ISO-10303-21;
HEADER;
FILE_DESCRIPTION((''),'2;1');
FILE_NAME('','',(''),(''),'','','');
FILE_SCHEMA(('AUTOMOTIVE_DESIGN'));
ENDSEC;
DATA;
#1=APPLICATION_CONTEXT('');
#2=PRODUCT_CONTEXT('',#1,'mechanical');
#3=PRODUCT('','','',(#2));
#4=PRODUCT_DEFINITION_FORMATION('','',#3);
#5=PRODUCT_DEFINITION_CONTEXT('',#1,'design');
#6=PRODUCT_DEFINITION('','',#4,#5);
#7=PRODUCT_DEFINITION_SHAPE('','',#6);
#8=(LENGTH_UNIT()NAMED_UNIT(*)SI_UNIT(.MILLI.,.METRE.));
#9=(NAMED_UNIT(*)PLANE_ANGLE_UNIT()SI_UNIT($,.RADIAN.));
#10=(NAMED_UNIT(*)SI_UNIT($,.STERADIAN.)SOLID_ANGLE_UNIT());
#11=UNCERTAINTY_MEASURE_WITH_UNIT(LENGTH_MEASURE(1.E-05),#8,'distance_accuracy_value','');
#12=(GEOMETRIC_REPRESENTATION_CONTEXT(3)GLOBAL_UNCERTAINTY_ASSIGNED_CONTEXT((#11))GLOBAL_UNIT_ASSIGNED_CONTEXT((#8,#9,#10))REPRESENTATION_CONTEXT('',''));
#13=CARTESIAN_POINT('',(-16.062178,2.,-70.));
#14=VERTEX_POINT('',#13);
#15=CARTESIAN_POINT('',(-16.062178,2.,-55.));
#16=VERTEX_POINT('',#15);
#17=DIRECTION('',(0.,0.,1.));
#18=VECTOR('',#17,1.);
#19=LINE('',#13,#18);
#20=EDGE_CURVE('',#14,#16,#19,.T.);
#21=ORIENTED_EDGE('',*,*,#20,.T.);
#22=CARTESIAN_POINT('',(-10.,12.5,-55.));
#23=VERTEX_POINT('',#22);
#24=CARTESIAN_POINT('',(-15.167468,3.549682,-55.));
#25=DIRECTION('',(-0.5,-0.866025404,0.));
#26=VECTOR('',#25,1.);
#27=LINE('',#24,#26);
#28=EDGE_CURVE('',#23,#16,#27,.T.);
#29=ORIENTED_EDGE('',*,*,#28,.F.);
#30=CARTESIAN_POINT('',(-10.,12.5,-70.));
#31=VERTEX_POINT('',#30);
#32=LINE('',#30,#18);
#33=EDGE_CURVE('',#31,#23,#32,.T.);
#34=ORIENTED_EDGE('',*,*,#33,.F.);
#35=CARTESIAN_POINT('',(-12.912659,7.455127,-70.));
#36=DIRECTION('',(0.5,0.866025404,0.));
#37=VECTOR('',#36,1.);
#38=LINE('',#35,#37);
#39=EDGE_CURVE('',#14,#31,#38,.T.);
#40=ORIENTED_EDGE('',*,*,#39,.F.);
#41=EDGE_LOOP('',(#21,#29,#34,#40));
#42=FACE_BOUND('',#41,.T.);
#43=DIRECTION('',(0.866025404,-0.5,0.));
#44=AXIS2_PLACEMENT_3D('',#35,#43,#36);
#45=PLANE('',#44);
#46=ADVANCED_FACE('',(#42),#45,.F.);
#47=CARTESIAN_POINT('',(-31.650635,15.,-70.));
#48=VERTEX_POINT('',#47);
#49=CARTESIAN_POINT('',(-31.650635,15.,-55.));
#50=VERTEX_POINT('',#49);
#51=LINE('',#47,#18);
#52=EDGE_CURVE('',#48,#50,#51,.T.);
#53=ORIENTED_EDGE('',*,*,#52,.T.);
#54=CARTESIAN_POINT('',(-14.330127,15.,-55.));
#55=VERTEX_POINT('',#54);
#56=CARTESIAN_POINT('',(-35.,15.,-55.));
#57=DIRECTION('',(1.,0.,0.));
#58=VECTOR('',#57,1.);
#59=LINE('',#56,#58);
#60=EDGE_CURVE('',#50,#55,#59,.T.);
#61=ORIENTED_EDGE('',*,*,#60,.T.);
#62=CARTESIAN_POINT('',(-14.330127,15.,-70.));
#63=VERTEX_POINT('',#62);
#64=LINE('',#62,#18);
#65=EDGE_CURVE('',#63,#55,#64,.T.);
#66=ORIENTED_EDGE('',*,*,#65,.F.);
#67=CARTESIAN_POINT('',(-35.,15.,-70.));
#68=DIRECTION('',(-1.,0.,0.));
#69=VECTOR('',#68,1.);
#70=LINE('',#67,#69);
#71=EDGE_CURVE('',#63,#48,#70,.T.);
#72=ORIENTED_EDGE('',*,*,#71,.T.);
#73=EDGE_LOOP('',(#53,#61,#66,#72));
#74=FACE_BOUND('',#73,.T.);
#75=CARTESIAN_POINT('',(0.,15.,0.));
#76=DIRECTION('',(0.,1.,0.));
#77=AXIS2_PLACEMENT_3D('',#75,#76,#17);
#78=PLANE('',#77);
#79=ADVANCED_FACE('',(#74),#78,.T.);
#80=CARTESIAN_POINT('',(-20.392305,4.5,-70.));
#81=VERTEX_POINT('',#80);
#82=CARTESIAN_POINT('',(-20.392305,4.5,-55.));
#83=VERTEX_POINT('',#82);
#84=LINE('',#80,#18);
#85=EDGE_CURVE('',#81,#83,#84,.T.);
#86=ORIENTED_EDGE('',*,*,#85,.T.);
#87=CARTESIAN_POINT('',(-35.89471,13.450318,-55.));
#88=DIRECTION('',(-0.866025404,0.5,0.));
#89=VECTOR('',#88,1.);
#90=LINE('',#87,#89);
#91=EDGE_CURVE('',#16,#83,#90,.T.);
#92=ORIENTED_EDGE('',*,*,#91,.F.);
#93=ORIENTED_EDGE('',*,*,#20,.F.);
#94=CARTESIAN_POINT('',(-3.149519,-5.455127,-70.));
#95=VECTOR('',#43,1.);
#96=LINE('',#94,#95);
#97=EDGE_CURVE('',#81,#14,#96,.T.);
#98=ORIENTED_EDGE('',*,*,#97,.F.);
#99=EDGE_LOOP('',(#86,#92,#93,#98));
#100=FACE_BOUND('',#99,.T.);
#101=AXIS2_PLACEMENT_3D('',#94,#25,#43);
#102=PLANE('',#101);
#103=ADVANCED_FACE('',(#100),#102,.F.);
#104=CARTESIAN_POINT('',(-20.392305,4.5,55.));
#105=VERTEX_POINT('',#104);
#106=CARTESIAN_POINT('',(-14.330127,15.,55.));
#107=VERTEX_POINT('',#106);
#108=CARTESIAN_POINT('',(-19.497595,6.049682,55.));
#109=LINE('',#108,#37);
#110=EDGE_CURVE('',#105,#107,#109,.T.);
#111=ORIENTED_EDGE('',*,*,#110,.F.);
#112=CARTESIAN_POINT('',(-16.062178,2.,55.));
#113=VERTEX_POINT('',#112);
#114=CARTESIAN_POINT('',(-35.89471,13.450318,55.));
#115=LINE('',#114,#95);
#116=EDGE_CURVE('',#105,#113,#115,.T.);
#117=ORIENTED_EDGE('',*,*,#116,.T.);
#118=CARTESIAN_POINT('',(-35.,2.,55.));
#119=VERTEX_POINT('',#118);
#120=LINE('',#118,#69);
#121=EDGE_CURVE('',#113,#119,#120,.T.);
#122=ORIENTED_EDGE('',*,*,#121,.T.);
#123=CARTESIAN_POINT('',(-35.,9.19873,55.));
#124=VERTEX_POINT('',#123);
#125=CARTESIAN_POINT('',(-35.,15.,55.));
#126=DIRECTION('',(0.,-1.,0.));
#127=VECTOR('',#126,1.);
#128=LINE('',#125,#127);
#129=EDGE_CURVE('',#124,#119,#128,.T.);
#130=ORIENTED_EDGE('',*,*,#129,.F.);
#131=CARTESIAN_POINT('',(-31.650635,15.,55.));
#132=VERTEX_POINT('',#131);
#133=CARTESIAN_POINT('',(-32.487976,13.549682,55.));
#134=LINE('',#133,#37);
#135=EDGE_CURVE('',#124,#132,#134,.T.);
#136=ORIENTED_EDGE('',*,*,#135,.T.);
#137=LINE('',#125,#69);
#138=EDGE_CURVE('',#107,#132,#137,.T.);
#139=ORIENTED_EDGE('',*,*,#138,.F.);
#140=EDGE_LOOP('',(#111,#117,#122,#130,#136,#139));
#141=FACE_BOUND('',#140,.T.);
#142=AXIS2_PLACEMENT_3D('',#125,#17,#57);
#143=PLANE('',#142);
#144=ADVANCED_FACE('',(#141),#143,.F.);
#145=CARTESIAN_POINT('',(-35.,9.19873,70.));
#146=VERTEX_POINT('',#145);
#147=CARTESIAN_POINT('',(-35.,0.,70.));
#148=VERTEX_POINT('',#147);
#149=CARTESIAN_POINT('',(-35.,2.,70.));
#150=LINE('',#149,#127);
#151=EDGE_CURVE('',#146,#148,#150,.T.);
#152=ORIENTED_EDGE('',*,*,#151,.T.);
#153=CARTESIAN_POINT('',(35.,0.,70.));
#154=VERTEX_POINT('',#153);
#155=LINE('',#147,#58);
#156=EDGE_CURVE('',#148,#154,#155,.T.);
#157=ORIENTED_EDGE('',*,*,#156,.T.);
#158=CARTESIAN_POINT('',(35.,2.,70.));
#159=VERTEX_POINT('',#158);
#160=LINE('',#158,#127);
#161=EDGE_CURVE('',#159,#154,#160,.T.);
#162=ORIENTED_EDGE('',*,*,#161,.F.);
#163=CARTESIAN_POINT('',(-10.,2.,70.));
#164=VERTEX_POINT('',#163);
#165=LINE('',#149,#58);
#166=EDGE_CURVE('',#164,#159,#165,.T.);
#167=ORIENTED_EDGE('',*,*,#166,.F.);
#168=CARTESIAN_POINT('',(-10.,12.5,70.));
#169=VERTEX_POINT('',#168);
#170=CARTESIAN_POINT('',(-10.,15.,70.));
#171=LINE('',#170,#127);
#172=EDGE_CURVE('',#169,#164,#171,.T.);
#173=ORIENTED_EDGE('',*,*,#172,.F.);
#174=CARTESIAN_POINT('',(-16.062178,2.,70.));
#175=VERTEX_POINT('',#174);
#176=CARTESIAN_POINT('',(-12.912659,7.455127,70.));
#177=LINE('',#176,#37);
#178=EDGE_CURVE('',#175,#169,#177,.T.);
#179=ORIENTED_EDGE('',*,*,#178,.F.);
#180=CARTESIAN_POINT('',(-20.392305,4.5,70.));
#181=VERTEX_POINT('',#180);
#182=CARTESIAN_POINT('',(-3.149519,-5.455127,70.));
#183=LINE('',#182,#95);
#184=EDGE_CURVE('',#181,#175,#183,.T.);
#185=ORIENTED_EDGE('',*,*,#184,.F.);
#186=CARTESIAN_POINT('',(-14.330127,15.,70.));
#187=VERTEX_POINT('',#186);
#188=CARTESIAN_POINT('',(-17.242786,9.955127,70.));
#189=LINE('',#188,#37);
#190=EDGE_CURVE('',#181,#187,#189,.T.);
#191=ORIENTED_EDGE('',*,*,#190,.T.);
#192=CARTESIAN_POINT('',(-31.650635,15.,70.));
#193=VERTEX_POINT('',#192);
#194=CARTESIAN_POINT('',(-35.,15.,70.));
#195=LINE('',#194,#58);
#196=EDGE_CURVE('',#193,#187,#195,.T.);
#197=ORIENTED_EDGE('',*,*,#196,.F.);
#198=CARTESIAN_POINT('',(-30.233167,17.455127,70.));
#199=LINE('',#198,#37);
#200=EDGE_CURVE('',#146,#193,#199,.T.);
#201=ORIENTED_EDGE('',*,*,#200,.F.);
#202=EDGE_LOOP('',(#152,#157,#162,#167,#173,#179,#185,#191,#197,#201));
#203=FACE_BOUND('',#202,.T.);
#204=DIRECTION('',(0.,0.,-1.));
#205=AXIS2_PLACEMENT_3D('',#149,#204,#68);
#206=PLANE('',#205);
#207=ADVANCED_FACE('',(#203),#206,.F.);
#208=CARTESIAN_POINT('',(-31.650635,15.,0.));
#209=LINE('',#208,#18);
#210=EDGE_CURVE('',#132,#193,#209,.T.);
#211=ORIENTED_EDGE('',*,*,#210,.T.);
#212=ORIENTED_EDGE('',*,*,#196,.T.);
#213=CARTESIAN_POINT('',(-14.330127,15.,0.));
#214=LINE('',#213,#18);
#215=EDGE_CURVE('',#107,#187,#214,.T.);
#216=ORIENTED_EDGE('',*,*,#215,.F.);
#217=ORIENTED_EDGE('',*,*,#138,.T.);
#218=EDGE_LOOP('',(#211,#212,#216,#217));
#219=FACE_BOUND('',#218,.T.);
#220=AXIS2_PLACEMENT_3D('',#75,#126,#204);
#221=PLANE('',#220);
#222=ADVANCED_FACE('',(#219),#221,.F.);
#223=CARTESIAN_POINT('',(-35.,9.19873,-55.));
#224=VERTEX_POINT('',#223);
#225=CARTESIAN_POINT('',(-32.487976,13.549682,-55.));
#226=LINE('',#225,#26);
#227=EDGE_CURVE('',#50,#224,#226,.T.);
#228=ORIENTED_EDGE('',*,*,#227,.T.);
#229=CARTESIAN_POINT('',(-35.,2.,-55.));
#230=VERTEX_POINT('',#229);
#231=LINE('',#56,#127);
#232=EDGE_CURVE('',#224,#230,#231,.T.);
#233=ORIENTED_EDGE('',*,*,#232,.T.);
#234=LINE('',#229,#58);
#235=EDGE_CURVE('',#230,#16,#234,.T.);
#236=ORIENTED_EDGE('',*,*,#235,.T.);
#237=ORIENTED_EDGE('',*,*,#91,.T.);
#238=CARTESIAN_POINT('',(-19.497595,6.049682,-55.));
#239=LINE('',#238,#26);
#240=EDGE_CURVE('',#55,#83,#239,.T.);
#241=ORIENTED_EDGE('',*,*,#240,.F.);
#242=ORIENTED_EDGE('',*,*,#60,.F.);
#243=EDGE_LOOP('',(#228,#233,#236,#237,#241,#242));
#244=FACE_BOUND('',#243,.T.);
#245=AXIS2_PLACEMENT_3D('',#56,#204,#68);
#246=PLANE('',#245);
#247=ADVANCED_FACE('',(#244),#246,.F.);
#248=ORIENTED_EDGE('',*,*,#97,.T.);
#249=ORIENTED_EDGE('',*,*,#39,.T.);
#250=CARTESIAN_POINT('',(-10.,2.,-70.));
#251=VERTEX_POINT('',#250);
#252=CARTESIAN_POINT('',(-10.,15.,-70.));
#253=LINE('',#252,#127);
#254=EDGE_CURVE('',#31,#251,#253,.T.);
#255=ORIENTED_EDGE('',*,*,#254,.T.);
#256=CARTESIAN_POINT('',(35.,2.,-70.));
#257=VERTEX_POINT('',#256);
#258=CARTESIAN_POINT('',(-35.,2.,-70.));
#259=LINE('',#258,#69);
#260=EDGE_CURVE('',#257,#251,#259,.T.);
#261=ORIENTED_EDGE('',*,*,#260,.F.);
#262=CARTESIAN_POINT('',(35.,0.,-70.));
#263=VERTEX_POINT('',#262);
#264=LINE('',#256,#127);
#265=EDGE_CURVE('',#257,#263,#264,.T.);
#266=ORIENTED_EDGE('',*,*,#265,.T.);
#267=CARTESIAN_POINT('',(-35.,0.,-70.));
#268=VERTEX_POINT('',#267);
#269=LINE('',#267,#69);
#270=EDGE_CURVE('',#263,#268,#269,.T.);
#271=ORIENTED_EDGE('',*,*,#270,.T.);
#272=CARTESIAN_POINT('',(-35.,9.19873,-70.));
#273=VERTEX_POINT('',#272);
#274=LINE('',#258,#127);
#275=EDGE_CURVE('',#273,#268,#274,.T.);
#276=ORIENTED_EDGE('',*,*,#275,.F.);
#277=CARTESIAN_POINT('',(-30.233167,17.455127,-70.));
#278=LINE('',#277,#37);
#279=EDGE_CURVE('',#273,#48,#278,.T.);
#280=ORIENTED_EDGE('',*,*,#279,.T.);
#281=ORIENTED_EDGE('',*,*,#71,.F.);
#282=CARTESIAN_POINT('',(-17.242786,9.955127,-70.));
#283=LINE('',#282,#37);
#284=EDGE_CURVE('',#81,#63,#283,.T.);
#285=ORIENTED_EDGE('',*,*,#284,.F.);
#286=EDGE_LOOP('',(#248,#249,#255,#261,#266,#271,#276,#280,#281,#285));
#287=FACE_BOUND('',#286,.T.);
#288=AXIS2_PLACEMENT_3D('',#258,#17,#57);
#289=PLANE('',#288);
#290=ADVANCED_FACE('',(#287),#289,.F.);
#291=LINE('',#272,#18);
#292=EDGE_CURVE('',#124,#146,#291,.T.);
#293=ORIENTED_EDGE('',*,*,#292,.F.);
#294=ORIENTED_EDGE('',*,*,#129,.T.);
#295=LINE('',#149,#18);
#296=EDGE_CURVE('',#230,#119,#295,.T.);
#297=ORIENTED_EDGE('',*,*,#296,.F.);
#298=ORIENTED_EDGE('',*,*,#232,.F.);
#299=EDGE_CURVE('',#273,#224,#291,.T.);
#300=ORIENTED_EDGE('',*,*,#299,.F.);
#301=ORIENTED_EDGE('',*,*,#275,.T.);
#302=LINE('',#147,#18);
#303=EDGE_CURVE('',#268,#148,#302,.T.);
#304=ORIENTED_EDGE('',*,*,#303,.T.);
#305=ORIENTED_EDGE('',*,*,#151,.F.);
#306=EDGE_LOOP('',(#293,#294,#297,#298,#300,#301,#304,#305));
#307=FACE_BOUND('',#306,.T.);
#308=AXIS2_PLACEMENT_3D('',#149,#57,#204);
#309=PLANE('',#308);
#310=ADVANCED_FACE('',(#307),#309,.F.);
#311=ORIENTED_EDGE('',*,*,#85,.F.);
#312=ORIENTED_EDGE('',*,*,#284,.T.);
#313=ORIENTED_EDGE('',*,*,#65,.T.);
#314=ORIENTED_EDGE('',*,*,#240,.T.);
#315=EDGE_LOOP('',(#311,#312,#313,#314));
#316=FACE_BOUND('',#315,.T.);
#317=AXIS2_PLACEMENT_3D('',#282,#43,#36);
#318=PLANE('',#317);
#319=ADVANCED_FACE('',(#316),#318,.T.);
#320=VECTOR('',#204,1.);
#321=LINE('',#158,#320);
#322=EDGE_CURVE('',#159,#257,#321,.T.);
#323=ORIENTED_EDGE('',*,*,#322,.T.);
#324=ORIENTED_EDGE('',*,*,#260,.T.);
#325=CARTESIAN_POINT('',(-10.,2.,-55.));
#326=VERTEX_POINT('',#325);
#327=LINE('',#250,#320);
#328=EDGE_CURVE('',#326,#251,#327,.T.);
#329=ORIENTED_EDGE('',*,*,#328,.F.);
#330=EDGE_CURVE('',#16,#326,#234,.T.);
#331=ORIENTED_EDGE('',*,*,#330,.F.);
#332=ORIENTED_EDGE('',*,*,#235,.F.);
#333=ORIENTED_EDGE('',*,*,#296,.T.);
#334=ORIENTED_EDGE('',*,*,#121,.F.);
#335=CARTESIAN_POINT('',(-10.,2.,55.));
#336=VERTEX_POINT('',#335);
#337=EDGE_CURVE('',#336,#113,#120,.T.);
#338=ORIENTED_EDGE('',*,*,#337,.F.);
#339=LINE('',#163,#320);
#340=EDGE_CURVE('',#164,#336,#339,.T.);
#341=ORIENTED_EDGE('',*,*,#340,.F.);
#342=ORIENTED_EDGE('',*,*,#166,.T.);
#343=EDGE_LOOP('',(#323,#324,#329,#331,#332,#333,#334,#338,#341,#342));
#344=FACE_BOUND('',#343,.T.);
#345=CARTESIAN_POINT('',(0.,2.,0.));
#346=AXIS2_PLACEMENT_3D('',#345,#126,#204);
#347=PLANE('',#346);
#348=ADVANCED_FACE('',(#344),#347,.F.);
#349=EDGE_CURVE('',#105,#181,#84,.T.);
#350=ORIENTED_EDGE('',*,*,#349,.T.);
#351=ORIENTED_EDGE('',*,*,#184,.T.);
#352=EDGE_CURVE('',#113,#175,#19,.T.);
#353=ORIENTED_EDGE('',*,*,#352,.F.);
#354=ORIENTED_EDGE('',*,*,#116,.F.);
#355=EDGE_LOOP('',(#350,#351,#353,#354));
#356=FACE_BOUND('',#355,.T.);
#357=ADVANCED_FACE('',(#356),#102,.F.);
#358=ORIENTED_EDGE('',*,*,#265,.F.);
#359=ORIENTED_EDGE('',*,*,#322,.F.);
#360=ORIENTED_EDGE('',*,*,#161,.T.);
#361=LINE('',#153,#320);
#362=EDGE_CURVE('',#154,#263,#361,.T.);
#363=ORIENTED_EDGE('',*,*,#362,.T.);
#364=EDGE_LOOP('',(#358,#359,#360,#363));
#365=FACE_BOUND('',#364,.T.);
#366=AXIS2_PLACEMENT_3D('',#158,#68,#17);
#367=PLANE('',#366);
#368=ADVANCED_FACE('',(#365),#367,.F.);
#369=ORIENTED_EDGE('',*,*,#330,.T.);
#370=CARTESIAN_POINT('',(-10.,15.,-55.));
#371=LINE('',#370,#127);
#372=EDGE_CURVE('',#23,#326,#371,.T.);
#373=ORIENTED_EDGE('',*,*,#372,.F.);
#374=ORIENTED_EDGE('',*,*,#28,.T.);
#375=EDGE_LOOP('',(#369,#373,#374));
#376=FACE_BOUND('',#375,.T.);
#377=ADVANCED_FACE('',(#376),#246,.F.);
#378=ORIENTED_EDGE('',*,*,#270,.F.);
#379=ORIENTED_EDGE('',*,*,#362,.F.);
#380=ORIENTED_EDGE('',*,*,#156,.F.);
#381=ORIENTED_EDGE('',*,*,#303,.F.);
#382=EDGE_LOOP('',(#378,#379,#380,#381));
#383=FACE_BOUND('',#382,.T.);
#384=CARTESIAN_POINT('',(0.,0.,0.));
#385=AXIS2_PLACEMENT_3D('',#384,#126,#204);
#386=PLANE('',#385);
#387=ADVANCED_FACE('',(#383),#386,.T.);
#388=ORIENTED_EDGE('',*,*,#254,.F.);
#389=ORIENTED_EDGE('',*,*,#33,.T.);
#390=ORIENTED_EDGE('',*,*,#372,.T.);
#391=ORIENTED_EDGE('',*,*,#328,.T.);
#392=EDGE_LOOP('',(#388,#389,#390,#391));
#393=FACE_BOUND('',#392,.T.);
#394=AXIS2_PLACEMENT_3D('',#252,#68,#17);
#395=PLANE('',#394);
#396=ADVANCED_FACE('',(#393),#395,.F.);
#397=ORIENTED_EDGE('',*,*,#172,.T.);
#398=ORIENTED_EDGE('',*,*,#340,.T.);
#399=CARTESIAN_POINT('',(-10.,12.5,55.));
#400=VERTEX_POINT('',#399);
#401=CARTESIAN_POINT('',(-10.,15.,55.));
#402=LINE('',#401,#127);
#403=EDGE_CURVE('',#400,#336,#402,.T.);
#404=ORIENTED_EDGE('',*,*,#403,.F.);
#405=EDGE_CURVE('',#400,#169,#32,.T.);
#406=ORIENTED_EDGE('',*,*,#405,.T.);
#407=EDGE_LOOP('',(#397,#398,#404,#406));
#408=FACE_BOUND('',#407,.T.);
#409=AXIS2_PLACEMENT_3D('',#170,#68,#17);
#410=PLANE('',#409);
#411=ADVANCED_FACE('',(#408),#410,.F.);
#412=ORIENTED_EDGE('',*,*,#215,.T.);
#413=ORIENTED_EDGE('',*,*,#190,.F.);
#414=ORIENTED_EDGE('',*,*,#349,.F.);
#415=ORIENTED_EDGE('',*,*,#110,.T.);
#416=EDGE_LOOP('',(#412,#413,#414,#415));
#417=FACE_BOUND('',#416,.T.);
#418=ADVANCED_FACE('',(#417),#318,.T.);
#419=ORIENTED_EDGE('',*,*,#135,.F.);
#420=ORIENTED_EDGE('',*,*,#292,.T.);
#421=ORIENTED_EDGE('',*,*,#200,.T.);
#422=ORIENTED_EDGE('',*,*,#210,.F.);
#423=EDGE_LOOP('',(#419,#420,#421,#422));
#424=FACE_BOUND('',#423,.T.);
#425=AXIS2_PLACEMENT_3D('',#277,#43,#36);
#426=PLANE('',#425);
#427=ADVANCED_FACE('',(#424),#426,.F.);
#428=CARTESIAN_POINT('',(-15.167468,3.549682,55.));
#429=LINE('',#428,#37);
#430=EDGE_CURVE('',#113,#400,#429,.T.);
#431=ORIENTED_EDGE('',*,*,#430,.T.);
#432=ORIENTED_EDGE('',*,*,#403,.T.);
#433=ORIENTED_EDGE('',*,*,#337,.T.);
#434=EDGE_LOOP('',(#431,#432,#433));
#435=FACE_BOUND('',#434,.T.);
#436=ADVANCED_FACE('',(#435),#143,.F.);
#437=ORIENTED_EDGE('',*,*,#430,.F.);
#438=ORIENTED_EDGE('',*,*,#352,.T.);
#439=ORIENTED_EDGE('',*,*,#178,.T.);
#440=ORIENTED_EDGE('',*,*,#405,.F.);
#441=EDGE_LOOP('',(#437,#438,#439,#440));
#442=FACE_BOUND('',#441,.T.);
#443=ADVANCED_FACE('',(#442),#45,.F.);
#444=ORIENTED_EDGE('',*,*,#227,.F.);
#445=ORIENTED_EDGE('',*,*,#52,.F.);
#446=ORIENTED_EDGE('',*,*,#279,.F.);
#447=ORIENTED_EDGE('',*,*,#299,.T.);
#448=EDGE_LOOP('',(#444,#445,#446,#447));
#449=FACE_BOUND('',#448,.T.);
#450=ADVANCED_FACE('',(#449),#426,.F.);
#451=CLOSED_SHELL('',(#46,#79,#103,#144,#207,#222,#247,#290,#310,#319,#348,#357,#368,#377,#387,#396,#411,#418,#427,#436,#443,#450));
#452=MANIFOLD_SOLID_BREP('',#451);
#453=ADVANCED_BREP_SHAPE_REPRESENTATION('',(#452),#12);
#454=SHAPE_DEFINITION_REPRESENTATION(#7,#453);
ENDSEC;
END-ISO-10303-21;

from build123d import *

# Parameters (mm, degrees)
SKIZZE1_W                       = 70
SKIZZE1_H                       = 140
AUFSATZ_LINEAR_AUSTRAGEN1_DEPTH = 2
SKIZZE2_W                       = 25
SKIZZE2_H                       = 15
AUFSATZ_LINEAR_AUSTRAGEN2_DEPTH = 13
SCHNITT_LINEAR_AUSTRAGEN1_DEPTH = 146.086181285


with BuildPart() as part:
    # Skizze1 → Aufsatz-Linear austragen1 (new body)
    with BuildSketch(Plane(origin=(0, 0, 0), x_dir=(1, 0, 0), z_dir=(0, 1, 0))):
        Rectangle(SKIZZE1_W, SKIZZE1_H)
    extrude(amount=AUFSATZ_LINEAR_AUSTRAGEN1_DEPTH)

    # Skizze2 → Aufsatz-Linear austragen2 (add)
    with BuildSketch(Plane(origin=(0, 2, 0), x_dir=(1, 0, 0), z_dir=(0, 1, 0))):
        with Locations((-22.5, 62.5)):
            Rectangle(SKIZZE2_W, SKIZZE2_H)
        with Locations((-22.5, -62.5)):
            Rectangle(SKIZZE2_W, SKIZZE2_H)
    extrude(amount=AUFSATZ_LINEAR_AUSTRAGEN2_DEPTH)

    # Skizze3 → Schnitt-Linear austragen1 (cut, through all)
    with BuildSketch(Plane.XY.offset(70)):
        Polygon((-35, 15), (-35, 9.198729811), (-31.650635095, 15), align=None)
        Polygon((-14.330127019, 15), (-20.392304845, 4.5), (-16.062177826, 2), (-10, 12.5), (-10, 15), align=None)
    extrude(amount=-SCHNITT_LINEAR_AUSTRAGEN1_DEPTH, mode=Mode.SUBTRACT)


solid = part.part
